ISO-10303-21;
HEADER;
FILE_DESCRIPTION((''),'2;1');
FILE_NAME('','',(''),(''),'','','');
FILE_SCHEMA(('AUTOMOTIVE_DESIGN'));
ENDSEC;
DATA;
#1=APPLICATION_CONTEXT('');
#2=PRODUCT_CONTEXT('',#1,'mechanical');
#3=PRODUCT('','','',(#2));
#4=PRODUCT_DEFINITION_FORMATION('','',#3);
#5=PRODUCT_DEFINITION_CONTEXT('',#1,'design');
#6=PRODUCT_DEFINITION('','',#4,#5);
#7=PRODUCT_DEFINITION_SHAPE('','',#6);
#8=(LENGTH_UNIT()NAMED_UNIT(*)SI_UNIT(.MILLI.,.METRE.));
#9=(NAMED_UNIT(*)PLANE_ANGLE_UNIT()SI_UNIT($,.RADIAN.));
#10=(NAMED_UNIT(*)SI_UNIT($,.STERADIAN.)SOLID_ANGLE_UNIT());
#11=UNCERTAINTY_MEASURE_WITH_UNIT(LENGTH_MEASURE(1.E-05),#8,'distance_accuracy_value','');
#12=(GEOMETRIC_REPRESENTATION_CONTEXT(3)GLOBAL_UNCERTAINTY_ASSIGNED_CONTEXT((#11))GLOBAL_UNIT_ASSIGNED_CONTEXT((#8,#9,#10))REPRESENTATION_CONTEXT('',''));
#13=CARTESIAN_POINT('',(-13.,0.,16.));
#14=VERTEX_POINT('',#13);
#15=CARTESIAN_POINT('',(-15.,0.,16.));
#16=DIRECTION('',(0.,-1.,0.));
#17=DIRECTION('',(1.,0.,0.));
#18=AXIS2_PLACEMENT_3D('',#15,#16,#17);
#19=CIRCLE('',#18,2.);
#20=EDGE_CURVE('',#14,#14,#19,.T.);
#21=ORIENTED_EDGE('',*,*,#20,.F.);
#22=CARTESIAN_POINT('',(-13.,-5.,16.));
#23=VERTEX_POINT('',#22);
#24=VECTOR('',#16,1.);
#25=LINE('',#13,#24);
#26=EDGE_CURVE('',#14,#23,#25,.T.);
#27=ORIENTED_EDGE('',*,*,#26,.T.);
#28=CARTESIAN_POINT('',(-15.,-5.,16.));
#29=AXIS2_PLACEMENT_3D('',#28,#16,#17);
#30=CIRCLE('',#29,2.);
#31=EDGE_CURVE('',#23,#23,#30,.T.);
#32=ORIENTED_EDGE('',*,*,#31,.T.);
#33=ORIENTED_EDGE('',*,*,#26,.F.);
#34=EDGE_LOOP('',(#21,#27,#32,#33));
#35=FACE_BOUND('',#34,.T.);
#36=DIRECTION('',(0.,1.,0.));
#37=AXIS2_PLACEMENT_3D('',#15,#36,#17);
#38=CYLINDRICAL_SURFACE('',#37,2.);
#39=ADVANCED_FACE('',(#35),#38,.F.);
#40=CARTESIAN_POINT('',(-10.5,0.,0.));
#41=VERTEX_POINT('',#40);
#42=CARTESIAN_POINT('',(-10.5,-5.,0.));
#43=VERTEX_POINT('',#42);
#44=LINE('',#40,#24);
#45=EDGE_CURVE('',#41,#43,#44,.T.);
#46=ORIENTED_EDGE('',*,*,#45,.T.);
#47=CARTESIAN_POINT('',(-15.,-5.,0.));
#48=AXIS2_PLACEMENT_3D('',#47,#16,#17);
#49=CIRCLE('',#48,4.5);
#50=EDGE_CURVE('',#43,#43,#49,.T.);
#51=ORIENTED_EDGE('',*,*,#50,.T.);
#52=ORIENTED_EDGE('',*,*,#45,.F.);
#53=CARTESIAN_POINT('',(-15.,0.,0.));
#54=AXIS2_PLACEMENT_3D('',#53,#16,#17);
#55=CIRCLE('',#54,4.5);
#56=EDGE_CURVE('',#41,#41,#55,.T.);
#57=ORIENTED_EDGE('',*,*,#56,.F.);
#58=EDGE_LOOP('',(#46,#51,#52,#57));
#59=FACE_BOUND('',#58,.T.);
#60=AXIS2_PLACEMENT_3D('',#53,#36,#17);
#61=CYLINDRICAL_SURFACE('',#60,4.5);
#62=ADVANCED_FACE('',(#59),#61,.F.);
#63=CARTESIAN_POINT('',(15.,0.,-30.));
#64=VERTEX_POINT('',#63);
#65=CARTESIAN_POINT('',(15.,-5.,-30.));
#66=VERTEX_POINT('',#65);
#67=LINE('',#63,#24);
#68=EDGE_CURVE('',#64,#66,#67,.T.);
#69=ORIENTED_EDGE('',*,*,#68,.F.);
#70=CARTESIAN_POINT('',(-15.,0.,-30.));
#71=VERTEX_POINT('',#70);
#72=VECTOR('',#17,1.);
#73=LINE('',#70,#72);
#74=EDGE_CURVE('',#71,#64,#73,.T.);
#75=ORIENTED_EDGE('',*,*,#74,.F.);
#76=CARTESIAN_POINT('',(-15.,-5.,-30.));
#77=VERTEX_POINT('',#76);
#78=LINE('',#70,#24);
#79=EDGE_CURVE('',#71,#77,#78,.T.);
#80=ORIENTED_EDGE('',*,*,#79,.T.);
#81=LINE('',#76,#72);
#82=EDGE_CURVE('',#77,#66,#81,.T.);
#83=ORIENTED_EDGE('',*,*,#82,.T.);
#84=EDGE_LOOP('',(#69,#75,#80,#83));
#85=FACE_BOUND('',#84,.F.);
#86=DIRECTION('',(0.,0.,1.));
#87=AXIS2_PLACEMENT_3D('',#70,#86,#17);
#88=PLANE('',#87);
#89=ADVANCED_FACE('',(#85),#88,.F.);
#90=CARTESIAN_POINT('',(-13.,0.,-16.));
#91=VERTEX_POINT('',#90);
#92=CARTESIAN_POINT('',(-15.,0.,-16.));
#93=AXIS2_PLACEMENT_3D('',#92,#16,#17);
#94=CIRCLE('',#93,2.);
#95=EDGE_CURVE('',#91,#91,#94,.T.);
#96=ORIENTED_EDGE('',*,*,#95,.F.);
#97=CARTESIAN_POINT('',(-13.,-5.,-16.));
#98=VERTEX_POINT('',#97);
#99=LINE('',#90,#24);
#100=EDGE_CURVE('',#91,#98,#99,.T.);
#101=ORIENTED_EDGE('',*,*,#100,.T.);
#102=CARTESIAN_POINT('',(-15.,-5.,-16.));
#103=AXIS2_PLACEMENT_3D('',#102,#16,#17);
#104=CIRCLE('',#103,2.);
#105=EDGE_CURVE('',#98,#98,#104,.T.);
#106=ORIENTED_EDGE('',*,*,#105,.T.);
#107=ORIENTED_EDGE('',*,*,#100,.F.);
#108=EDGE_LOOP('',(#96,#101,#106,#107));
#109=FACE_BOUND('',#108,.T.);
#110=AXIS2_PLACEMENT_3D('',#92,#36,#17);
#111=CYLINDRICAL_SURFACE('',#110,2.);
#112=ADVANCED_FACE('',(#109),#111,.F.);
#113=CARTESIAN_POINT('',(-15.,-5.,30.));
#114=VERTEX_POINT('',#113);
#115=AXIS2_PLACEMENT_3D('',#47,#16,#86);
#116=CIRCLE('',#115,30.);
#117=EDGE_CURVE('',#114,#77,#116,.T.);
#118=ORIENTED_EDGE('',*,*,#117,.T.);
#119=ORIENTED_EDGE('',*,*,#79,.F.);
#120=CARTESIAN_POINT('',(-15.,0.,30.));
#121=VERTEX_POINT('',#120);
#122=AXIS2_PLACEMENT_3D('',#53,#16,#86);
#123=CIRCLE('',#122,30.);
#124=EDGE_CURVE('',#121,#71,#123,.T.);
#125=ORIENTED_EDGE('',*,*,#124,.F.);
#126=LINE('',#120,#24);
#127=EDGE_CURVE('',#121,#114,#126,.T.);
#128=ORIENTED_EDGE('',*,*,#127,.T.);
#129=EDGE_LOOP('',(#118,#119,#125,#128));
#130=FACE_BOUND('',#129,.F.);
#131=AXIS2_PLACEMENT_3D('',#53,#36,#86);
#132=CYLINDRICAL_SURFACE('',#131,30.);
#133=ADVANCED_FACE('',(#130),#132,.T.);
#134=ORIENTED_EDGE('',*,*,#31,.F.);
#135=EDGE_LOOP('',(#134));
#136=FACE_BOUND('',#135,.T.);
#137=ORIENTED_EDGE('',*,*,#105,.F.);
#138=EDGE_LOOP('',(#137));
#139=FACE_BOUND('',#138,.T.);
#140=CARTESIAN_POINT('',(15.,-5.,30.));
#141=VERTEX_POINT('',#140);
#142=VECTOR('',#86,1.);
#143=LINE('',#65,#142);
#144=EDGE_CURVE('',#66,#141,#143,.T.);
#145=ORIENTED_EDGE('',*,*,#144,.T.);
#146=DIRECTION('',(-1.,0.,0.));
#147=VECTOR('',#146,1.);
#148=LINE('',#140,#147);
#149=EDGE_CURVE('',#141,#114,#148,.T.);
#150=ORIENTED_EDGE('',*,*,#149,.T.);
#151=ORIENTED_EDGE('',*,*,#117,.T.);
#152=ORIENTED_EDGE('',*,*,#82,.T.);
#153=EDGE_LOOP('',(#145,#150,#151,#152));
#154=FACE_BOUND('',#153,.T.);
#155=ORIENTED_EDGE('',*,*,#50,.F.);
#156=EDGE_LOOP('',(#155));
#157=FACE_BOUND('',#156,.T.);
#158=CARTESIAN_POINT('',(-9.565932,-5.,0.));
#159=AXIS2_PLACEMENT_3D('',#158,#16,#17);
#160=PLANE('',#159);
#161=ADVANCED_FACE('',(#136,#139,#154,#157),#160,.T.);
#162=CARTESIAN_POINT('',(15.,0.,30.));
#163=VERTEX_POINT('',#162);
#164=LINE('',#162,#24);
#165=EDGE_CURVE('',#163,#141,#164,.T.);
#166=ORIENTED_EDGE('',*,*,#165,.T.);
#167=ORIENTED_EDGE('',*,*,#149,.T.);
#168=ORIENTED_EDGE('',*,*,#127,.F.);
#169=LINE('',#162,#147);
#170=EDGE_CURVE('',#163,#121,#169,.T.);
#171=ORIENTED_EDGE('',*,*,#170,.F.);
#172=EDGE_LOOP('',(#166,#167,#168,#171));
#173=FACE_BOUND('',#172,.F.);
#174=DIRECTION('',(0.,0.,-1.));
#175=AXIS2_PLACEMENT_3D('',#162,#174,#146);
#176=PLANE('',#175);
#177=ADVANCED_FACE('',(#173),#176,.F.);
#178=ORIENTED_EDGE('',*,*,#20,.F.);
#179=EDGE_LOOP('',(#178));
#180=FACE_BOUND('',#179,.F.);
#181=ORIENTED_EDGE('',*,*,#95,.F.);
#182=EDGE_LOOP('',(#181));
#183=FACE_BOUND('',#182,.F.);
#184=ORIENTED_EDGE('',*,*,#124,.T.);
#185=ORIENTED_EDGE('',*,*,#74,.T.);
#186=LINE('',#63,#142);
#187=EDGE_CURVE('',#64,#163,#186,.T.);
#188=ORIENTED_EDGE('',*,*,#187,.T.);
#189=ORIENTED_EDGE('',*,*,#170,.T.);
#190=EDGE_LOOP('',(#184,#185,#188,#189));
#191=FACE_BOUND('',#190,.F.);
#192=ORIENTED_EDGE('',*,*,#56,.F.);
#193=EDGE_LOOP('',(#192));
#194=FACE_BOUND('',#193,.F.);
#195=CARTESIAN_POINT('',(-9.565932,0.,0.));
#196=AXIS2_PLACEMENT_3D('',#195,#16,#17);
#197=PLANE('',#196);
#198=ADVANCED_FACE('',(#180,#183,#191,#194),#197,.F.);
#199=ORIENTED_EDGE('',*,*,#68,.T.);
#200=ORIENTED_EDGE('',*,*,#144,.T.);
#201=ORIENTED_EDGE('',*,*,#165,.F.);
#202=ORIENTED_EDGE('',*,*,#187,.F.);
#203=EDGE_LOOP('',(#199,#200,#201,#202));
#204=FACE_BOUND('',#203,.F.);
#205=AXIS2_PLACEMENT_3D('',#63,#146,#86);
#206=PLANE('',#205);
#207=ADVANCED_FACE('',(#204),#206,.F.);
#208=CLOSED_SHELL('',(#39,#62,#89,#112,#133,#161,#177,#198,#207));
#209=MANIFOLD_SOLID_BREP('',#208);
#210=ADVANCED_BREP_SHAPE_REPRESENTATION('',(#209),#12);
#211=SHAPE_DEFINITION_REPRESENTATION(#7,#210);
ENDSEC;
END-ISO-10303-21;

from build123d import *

# Parameters (mm, degrees)
F0_R     = 2
F0_R_2   = 4.5
F1_DEPTH = 5


with BuildPart() as f1:
    # F0 (on Front) → F1 (new body)
    with BuildSketch(Plane.XZ):
        with BuildLine():
            Line((15, -30), (15, 30))
            Line((15, 30), (-15, 30))
            ThreePointArc((-15, 30), (-45, 0), (-15, -30))
            Line((-15, -30), (15, -30))
        make_face()
        with Locations((-15, -16)):
            Circle(F0_R, mode=Mode.SUBTRACT)
        with Locations((-15, 0)):
            Circle(F0_R_2, mode=Mode.SUBTRACT)
        with Locations((-15, 16)):
            Circle(F0_R, mode=Mode.SUBTRACT)
    extrude(amount=F1_DEPTH)


solid = f1.part
